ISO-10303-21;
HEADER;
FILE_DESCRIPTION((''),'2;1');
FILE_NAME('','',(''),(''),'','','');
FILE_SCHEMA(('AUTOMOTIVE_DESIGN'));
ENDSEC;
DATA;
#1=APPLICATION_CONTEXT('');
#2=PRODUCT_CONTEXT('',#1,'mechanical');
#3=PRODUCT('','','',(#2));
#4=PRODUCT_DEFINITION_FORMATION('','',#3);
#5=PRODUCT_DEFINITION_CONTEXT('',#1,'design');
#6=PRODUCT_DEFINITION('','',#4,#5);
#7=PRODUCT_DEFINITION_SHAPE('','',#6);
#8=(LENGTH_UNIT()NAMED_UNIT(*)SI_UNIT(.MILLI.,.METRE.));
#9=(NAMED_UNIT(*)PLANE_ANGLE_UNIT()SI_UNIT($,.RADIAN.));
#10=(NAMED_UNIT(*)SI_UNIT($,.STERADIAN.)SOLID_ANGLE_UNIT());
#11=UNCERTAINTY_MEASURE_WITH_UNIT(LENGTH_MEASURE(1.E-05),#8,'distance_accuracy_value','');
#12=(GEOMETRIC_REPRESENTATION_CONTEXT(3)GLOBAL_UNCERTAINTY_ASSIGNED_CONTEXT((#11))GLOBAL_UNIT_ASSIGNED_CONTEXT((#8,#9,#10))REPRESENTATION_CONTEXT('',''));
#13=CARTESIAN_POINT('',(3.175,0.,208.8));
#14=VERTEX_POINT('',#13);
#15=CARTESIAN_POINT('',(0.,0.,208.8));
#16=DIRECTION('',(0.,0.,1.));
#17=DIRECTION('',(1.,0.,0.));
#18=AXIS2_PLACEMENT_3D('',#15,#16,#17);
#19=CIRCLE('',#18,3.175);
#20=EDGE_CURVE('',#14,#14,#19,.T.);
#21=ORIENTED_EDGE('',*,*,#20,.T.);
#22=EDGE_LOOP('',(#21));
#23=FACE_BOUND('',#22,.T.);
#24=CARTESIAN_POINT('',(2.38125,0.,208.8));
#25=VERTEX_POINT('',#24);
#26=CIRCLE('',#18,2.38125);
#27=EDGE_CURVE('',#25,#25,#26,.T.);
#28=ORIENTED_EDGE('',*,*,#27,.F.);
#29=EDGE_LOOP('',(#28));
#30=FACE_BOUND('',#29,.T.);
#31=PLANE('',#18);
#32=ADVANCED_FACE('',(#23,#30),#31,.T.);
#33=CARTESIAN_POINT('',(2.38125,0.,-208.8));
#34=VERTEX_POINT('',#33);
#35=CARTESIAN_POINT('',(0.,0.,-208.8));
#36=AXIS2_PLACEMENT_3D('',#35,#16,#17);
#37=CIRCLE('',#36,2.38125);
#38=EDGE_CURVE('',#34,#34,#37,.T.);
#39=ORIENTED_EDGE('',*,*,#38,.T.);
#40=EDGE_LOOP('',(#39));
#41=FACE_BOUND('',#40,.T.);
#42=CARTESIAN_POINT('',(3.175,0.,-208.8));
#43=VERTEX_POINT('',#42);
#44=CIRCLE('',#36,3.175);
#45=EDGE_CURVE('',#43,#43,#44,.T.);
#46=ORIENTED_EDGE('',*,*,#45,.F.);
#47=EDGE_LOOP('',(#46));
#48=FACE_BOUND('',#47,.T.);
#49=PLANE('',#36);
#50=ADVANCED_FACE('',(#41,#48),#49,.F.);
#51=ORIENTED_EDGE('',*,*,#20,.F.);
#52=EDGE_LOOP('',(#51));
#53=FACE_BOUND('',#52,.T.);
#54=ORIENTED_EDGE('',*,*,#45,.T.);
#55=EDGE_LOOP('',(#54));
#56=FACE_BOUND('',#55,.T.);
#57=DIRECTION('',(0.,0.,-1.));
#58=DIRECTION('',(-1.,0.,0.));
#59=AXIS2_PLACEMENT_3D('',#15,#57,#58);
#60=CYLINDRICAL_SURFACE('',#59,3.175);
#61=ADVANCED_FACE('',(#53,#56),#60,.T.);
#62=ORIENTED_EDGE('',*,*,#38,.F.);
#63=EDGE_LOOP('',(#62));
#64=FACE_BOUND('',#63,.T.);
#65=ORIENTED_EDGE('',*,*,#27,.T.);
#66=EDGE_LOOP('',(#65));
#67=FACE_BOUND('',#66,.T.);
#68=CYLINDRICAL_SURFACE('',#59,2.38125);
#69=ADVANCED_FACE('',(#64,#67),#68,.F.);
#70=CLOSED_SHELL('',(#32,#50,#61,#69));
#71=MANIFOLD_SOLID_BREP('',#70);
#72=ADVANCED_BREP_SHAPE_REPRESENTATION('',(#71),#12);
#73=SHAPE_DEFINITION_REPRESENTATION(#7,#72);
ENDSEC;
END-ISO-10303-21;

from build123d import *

# Parameters (mm, degrees)
SKETCH1_R           = 3.175
SKETCH1_R_2         = 2.38125
BOSS_EXTRUDE1_DEPTH = 208.8


with BuildPart() as part:
    # Sketch1 → Boss-Extrude1 (new, symmetric)
    with BuildSketch(Plane.XY):
        Circle(SKETCH1_R)
        Circle(SKETCH1_R_2, mode=Mode.SUBTRACT)
    extrude(amount=BOSS_EXTRUDE1_DEPTH, both=True)


solid = part.part
